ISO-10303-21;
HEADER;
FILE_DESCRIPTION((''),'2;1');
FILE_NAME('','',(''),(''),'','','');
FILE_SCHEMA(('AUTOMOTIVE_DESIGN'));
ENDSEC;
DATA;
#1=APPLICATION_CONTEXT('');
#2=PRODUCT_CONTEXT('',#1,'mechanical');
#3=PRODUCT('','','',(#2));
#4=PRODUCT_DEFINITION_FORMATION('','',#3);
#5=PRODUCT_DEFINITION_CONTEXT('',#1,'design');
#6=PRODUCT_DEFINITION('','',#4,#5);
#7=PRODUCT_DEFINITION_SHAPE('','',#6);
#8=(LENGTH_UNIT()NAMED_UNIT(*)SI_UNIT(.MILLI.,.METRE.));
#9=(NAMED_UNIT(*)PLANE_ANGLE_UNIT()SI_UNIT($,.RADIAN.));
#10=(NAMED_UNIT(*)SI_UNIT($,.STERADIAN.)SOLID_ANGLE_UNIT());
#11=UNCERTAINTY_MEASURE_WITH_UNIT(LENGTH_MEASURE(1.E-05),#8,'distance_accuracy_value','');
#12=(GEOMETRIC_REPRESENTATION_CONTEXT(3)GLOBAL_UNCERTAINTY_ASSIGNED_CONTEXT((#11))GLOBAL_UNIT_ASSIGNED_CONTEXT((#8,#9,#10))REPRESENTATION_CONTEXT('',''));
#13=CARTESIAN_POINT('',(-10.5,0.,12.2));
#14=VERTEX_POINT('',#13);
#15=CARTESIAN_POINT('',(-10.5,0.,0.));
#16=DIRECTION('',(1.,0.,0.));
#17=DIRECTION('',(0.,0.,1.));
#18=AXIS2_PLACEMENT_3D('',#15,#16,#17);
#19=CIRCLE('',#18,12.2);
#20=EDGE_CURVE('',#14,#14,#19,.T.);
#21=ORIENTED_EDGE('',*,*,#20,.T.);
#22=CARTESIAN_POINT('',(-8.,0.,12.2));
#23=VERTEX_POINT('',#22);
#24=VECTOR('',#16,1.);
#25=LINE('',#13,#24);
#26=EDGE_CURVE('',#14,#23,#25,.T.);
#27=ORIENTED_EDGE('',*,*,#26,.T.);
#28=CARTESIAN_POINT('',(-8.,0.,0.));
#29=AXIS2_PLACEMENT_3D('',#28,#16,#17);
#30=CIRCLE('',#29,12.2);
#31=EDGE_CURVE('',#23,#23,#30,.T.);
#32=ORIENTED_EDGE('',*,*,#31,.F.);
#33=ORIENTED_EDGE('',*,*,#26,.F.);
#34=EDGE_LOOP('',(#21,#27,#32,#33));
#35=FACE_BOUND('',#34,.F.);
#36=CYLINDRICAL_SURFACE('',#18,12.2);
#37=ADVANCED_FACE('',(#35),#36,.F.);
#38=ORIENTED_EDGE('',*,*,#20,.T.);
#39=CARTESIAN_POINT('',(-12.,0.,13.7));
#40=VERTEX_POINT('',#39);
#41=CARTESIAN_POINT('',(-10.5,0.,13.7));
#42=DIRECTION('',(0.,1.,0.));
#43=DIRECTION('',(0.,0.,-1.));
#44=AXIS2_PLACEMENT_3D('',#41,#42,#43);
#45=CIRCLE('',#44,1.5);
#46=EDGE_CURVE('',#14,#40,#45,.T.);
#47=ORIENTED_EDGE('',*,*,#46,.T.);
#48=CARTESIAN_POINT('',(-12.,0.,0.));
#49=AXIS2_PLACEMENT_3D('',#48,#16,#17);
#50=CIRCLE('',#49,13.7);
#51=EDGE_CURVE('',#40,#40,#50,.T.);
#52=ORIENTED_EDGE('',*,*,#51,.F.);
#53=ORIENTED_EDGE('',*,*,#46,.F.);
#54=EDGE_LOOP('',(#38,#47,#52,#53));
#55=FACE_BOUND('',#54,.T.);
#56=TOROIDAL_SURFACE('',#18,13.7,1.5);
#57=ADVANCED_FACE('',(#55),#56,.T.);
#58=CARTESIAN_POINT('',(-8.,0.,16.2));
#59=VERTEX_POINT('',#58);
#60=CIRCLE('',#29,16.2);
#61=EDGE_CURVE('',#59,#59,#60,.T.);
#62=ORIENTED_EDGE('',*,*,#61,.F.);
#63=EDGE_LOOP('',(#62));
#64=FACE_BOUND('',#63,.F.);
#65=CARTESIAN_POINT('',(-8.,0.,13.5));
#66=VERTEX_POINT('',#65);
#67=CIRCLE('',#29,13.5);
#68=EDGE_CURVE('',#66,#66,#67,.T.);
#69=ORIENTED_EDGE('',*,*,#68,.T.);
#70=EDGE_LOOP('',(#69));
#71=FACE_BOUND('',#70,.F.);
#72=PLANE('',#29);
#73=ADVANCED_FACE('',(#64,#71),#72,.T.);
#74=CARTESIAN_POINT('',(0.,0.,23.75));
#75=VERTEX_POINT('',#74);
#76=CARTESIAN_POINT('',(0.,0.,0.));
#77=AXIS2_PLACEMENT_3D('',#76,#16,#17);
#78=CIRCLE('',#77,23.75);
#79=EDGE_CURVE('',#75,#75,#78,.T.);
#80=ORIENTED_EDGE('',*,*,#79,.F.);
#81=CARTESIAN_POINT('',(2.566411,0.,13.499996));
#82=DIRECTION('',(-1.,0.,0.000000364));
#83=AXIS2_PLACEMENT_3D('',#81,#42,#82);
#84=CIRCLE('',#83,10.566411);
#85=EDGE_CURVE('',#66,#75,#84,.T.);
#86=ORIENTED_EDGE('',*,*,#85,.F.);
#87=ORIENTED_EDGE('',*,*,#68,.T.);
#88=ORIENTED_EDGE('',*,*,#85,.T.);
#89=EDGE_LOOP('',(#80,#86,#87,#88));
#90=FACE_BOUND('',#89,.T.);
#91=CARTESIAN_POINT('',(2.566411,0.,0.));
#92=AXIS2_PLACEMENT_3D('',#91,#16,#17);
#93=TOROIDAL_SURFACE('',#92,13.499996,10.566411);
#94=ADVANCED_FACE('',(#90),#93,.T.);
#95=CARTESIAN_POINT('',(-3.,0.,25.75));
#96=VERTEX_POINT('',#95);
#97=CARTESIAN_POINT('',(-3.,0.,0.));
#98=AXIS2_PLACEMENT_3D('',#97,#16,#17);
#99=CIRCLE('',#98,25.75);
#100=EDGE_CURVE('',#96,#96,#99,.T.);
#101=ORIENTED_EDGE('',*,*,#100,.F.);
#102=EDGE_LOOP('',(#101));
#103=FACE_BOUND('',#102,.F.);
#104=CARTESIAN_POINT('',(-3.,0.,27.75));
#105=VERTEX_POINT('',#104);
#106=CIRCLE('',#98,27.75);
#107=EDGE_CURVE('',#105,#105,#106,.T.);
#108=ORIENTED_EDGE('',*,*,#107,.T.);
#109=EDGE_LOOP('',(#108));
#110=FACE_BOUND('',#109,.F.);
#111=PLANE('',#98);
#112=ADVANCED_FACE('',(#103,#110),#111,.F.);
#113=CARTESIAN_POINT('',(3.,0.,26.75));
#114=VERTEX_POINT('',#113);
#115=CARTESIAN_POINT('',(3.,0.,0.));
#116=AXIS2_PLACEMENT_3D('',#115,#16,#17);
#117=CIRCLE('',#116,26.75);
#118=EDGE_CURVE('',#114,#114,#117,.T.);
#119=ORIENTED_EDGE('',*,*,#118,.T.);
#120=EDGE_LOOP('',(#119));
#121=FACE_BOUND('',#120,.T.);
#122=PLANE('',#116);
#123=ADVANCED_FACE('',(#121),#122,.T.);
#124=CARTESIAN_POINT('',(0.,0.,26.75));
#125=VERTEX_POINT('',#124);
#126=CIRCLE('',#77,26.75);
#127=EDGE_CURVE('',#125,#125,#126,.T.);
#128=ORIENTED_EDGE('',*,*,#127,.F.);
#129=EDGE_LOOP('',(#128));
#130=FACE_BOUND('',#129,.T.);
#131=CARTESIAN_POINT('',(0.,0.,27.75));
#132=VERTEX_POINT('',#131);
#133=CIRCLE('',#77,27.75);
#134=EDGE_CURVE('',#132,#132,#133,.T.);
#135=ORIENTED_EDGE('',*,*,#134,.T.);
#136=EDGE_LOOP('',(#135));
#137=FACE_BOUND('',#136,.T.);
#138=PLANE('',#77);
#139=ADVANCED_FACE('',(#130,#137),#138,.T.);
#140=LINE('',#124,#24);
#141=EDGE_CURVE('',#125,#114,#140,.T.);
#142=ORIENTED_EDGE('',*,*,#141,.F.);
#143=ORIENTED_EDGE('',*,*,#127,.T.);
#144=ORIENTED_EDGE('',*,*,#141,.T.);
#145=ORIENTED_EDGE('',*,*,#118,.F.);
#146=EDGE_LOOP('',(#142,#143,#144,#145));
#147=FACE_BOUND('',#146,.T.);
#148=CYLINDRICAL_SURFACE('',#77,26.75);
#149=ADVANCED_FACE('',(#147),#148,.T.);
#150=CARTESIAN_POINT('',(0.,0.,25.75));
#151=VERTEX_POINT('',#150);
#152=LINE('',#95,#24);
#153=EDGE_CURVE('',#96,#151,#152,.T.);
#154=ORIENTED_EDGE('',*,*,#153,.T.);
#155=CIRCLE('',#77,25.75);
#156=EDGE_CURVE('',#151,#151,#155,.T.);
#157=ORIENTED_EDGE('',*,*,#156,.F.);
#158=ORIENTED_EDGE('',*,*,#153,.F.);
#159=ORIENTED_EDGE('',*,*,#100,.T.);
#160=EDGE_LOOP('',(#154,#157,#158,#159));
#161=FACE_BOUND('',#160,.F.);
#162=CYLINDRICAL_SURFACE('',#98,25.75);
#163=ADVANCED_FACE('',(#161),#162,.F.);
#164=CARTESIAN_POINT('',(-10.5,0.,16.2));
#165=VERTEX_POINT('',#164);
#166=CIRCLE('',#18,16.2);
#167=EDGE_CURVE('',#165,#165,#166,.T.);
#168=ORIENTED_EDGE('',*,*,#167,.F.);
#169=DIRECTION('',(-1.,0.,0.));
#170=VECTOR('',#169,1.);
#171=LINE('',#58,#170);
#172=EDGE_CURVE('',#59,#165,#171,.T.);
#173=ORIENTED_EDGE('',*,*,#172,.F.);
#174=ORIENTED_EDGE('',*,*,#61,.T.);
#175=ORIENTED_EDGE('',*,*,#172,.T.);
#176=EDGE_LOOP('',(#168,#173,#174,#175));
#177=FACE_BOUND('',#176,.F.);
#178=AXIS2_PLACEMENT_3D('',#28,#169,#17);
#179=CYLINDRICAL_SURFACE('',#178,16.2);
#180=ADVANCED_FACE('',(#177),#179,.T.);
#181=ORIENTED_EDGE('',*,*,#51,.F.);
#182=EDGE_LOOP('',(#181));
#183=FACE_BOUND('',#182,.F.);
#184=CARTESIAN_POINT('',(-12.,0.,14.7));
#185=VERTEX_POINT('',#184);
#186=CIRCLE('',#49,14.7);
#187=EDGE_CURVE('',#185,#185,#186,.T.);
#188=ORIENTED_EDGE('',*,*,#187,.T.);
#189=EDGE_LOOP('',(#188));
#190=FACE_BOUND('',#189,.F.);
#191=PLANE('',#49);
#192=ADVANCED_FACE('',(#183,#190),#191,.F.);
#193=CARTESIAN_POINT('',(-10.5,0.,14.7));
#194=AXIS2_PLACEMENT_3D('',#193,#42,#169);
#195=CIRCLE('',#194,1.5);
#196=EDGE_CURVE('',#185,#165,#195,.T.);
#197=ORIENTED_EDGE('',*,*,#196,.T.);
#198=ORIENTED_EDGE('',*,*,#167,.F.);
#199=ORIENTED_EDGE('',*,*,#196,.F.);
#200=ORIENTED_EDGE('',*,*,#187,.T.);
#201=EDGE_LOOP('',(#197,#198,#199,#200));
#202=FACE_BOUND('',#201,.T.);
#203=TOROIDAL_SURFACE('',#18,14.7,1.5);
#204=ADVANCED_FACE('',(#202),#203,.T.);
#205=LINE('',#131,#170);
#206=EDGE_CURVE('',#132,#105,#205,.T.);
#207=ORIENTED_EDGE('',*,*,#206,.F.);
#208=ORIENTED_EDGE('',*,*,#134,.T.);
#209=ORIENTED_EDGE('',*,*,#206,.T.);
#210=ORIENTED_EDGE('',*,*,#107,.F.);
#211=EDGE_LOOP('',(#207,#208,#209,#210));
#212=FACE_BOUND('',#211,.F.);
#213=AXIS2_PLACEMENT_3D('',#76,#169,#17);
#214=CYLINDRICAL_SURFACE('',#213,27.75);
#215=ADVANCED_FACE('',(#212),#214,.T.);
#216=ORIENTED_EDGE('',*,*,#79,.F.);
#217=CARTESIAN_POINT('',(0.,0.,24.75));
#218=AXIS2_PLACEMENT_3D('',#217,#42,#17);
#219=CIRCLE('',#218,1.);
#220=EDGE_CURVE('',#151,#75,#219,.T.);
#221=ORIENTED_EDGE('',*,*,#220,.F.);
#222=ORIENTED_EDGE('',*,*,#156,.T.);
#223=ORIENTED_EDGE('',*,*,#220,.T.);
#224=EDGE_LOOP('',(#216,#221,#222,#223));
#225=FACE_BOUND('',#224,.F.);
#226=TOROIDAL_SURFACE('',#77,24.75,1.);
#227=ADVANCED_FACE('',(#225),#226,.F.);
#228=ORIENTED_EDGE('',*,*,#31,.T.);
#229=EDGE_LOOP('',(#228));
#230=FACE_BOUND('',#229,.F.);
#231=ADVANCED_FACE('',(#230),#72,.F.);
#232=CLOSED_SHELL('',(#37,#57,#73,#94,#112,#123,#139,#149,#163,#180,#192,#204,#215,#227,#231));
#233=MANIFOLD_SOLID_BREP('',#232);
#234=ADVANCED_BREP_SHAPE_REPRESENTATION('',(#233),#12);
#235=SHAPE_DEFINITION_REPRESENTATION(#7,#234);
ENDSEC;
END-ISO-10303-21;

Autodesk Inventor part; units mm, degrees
ref_plane "YZ Plane" through (0, 0, 0) normal (1, 0, 0) x (0, 1, 0)
ref_plane "XZ Plane" through (0, 0, 0) normal (0, 1, 0) x (-1, 0, 0)
ref_plane "XY Plane" through (0, 0, 0) normal (0, 0, 1) x (1, 0, 0)
sketch "Sketch1" plane through (0, 0, 0) normal (0, 1, 0) x (-1, 0, 0)
  line L0 (0, 27.75) -> (3, 27.75)
  line L1 (3, 27.75) -> (3, 25.75)
  line L2 (-3, 25.75) -> (-3, 23.75)
  line L3 (8, 13.5) -> (8, 0)
  line L4 (-3, 26.75) -> (-3, 0)
  line L5 (8, 0) -> (0, 0)
  arc A0 (8, 13.5) -> (0, 23.75) centre (-2.5664, 13.5) ccw
  arc A1 (0, 25.75) -> (0, 23.75) centre (0, 24.75) ccw
  line L6 (0, 26.75) -> (-3, 26.75)
  line L7 (-3, 26.75) -> (-3, 25.75)
  line L8 (3, 25.75) -> (0, 25.75)
  line L9 (0, 27.75) -> (0, 26.75)
  line L10 (0, 0) -> (-3, 0)
  line L11 (8, 0) -> (8, 16.2)
  line L12 (8, 16.2) -> (10.5, 16.2)
  line L13 (10.5, 16.2) -> (10.5, 14.7)
  line L14 (10.5, 14.7) -> (10.5, 13.7)
  line L15 (10.5, 13.7) -> (10.5, 12.2)
  line L16 (10.5, 12.2) -> (8, 12.2)
  line L17 (10.5, 14.7) -> (12, 14.7)
  line L18 (12, 14.7) -> (12, 13.7)
  line L19 (12, 13.7) -> (10.5, 13.7)
  arc A2 (12, 14.7) -> (10.5, 16.2) centre (10.5, 14.7) ccw
  arc A3 (10.5, 12.2) -> (12, 13.7) centre (10.5, 13.7) ccw
  dimension "d0" = 27.75
  dimension "d7" = 13.5
  dimension "d8" = 11
  dimension "d9" = 10.5664
  dimension "d10" = 1
  dimension "d11" = 3
  dimension "d12" = 3
  dimension "d14" = 16.2
  dimension "d15" = 2.5
  dimension "d16" = 1.5
  dimension "d17" = 1
  dimension "d18" = 1.5
  dimension "d19" = 1.5
revolve "Revolution2" add sketch "Sketch1" angle 360 about axis through (-8, 0, 0) along (1, 0, 0)
properties part number "snow_can_top"
